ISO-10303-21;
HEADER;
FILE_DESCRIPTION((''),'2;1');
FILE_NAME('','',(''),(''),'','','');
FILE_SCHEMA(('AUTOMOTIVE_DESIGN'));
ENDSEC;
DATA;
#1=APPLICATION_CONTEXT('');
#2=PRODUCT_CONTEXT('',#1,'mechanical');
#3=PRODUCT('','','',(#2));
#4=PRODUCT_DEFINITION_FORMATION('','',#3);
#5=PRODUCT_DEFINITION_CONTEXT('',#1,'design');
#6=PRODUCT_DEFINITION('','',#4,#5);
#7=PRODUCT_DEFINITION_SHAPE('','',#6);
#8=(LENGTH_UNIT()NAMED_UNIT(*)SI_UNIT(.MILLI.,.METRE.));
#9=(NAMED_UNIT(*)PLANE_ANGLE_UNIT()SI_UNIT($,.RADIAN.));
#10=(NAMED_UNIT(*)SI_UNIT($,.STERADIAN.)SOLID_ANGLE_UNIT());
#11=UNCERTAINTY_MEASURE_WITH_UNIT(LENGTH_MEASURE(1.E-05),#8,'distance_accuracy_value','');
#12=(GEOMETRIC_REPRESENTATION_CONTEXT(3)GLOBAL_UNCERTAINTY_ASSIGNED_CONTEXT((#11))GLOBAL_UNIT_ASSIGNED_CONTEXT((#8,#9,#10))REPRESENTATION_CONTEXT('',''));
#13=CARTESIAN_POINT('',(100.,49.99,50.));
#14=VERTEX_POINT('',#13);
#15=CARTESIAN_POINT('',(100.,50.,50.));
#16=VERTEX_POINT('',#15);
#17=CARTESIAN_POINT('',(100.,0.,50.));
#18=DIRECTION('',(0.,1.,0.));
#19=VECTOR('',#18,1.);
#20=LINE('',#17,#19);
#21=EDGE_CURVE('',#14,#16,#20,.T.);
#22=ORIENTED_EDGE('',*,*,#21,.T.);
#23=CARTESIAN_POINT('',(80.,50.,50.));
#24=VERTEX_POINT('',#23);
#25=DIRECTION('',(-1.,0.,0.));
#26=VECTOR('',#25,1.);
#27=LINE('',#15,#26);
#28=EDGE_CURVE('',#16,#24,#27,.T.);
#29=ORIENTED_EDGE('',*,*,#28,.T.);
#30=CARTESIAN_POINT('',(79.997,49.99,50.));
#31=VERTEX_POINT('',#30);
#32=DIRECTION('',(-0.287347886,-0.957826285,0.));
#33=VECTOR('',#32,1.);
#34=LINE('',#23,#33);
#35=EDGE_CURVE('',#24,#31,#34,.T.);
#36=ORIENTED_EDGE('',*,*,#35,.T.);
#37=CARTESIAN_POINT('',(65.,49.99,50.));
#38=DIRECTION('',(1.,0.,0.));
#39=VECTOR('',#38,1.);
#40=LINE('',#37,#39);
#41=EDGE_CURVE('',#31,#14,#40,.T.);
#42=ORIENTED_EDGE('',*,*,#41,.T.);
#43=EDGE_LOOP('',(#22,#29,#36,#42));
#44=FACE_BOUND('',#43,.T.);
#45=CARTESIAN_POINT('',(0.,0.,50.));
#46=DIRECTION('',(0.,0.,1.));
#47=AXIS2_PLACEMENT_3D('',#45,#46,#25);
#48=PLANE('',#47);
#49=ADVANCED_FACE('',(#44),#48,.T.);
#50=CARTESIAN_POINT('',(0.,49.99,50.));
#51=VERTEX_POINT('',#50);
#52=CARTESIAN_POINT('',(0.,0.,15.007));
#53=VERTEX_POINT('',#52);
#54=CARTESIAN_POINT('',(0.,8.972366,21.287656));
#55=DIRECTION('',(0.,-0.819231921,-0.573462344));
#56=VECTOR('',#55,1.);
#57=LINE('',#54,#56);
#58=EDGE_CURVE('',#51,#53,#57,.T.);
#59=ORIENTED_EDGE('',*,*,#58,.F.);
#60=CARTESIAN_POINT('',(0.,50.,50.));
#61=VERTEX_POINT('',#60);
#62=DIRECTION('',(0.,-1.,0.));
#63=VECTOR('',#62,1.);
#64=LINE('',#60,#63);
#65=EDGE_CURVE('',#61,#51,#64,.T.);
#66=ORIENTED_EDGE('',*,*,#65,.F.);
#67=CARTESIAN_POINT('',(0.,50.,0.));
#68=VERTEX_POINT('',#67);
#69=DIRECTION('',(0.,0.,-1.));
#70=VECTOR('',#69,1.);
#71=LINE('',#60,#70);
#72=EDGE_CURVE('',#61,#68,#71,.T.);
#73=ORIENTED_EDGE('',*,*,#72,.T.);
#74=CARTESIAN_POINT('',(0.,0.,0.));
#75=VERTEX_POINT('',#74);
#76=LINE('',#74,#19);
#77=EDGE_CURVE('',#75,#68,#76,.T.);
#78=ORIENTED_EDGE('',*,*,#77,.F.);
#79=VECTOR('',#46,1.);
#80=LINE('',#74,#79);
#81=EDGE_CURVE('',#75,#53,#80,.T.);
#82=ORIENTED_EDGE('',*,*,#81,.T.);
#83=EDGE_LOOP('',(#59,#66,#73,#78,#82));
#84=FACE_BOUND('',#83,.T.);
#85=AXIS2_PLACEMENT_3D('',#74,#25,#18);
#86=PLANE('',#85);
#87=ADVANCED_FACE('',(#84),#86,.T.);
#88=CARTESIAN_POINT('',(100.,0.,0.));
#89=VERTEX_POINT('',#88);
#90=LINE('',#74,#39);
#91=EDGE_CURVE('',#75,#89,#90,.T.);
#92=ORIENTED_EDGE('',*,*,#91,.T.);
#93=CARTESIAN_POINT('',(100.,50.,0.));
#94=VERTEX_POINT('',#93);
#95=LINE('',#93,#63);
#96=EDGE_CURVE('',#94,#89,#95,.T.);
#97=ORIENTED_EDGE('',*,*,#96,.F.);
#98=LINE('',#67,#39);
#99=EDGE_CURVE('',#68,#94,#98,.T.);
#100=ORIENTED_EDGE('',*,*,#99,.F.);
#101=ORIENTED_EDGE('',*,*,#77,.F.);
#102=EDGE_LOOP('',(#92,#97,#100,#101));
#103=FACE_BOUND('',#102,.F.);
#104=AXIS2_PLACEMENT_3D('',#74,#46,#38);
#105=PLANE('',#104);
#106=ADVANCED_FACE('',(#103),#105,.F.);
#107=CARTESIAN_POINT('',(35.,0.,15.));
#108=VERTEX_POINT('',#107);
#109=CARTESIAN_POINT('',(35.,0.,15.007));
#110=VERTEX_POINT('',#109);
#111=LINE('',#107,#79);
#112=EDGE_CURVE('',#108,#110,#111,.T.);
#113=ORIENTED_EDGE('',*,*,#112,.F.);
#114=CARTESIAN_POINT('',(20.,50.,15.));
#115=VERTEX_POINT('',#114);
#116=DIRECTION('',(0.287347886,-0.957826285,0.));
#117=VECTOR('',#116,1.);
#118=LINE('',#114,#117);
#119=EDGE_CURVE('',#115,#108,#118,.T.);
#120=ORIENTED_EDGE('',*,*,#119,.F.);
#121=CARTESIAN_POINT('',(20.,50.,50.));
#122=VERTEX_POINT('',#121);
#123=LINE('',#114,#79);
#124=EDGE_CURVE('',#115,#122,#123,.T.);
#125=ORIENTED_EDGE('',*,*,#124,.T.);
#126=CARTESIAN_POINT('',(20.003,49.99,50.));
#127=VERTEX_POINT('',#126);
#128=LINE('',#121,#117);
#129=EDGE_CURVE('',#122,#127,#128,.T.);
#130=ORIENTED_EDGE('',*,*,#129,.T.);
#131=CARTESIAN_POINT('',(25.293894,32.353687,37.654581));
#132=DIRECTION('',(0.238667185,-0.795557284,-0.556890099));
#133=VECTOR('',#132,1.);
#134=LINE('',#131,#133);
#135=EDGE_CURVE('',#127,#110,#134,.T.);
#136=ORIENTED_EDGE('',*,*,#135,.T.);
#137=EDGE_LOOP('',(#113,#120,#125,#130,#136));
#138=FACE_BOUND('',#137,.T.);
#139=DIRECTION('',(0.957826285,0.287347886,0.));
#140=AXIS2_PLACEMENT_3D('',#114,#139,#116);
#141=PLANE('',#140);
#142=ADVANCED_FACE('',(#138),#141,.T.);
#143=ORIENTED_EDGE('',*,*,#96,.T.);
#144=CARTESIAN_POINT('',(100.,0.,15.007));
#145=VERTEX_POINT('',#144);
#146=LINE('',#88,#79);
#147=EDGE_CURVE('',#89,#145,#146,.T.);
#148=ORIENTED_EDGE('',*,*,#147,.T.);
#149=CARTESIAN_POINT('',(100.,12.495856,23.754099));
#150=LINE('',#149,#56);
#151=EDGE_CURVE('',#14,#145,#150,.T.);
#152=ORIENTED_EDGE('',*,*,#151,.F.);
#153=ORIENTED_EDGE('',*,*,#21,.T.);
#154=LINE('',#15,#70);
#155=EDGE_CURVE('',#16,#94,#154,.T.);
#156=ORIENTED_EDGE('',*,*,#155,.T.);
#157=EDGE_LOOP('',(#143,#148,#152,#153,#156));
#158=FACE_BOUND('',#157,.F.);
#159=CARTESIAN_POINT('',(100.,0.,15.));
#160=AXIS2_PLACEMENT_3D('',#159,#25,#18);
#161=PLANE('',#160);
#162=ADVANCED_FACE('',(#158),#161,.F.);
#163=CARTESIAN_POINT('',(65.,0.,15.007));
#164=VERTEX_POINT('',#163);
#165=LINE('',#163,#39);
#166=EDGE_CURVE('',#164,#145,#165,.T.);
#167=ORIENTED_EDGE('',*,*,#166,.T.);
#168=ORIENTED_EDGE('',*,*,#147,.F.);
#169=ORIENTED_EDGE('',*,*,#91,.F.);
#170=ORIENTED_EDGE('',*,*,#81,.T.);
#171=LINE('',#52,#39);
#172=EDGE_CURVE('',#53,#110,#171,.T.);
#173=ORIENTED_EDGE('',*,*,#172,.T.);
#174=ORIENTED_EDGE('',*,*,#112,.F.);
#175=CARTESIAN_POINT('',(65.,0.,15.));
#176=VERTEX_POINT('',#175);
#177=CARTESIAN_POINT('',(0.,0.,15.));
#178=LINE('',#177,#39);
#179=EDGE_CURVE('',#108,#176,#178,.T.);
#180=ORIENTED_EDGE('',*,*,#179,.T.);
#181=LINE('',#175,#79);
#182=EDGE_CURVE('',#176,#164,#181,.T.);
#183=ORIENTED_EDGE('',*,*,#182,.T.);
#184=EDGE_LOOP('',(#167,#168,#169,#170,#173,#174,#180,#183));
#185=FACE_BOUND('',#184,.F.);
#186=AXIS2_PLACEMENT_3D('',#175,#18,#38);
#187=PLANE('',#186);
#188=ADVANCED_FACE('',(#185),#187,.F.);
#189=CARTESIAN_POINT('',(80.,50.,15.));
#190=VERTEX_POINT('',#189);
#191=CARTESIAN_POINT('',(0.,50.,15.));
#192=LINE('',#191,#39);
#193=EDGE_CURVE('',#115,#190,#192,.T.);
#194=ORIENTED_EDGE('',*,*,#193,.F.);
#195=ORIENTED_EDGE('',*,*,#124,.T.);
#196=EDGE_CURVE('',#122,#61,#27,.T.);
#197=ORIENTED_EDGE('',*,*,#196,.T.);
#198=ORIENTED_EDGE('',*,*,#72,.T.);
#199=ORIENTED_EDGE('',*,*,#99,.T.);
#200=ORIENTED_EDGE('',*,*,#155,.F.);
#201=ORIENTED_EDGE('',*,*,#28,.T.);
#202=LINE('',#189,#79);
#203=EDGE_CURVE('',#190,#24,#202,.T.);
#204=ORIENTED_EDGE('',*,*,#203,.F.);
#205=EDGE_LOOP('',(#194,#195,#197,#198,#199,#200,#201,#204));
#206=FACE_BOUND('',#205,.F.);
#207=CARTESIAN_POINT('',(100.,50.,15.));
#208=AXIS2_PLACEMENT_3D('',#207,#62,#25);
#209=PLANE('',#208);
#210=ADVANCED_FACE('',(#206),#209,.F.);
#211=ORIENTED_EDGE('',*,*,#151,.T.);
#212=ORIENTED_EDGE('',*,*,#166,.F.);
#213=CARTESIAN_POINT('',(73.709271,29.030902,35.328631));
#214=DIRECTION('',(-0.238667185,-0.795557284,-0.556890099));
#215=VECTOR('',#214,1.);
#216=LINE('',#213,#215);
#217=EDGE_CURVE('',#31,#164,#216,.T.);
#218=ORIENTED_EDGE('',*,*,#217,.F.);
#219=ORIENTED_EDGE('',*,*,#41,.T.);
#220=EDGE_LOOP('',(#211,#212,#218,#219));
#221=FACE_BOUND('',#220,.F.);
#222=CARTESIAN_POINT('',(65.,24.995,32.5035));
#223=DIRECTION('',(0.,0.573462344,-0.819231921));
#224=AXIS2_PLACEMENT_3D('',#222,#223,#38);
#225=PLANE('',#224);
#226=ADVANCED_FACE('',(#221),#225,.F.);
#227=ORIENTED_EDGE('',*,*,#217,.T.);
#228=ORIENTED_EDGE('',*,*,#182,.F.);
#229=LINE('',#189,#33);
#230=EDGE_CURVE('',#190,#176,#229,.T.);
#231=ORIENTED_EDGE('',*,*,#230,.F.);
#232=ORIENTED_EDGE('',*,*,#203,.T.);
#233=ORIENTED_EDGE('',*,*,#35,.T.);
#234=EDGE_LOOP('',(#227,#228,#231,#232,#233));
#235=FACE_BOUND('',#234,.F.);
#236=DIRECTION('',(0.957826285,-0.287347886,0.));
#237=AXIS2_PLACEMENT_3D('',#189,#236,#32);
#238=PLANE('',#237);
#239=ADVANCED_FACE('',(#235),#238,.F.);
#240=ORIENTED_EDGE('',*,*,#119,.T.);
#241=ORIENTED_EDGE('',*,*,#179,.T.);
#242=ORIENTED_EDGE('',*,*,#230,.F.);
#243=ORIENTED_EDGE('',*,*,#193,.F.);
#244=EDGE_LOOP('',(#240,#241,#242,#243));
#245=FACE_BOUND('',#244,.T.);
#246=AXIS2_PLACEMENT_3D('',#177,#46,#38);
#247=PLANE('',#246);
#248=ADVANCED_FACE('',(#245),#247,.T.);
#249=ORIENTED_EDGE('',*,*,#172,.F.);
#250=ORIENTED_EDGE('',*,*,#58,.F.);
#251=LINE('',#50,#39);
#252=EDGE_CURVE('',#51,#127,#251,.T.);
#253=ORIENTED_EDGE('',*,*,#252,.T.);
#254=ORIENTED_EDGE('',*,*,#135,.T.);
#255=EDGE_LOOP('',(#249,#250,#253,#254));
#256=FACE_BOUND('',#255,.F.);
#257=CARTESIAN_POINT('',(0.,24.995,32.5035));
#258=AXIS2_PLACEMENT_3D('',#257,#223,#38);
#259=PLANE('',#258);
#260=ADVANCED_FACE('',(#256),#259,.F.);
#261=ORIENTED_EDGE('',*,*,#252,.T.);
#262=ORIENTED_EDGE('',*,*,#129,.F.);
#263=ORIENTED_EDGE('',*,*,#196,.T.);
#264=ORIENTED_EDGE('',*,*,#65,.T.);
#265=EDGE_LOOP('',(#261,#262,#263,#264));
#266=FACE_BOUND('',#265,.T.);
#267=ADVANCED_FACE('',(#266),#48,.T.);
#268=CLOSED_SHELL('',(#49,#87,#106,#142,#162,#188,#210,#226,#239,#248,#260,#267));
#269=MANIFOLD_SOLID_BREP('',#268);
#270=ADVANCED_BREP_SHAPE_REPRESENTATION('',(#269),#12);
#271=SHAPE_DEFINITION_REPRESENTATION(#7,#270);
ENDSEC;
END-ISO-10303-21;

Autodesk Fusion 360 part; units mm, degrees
sketch "Sketch1" plane through (0, 0, 0) normal (0, 0, 1) x (1, 0, 0)
  line L0 (0, 0) -> (100, 0)
  line L1 (0, 0) -> (0, 50)
  line L2 (0, 50) -> (100, 50)
  line L3 (100, 50) -> (100, 0)
  dimension "d1" = 100
  dimension "d2" = 50
extrude "Extrude1" add sketch "Sketch1" along normal blind 15
sketch "Sketch2" plane through (0, 0, 15) normal (0, 0, 1) x (-1, 0, 0)
  line L0 (0, 0) -> (-100, 0)
  line L1 (-100, 0) -> (-100, -50)
  line L2 (-100, -50) -> (0, -50)
  line L3 (0, -50) -> (0, 0)
  line L4 (-20, -50) -> (-35, 0)
  line L5 (-80, -50) -> (-65, 0)
  dimension "d6" = 35
  dimension "d7" = 20
  dimension "d8" = 35
  dimension "d9" = 20
extrude "Extrude2" add sketch "Sketch2" along normal blind 35 contours L0 L2 L3 L4
extrude "Extrude3" add sketch "Sketch2" along normal blind 35 contours L0 L1 L2 L5
chamfer "Chamfer1" distance 50 distance2 35 1 edges at (17.5, 0, 50) measured on face at (18.3333, 16.6667, 50)
chamfer "Chamfer1" distance 50 distance2 35 1 edges at (82.5, 0, 50) measured on face at (81.6667, 16.6667, 50)
